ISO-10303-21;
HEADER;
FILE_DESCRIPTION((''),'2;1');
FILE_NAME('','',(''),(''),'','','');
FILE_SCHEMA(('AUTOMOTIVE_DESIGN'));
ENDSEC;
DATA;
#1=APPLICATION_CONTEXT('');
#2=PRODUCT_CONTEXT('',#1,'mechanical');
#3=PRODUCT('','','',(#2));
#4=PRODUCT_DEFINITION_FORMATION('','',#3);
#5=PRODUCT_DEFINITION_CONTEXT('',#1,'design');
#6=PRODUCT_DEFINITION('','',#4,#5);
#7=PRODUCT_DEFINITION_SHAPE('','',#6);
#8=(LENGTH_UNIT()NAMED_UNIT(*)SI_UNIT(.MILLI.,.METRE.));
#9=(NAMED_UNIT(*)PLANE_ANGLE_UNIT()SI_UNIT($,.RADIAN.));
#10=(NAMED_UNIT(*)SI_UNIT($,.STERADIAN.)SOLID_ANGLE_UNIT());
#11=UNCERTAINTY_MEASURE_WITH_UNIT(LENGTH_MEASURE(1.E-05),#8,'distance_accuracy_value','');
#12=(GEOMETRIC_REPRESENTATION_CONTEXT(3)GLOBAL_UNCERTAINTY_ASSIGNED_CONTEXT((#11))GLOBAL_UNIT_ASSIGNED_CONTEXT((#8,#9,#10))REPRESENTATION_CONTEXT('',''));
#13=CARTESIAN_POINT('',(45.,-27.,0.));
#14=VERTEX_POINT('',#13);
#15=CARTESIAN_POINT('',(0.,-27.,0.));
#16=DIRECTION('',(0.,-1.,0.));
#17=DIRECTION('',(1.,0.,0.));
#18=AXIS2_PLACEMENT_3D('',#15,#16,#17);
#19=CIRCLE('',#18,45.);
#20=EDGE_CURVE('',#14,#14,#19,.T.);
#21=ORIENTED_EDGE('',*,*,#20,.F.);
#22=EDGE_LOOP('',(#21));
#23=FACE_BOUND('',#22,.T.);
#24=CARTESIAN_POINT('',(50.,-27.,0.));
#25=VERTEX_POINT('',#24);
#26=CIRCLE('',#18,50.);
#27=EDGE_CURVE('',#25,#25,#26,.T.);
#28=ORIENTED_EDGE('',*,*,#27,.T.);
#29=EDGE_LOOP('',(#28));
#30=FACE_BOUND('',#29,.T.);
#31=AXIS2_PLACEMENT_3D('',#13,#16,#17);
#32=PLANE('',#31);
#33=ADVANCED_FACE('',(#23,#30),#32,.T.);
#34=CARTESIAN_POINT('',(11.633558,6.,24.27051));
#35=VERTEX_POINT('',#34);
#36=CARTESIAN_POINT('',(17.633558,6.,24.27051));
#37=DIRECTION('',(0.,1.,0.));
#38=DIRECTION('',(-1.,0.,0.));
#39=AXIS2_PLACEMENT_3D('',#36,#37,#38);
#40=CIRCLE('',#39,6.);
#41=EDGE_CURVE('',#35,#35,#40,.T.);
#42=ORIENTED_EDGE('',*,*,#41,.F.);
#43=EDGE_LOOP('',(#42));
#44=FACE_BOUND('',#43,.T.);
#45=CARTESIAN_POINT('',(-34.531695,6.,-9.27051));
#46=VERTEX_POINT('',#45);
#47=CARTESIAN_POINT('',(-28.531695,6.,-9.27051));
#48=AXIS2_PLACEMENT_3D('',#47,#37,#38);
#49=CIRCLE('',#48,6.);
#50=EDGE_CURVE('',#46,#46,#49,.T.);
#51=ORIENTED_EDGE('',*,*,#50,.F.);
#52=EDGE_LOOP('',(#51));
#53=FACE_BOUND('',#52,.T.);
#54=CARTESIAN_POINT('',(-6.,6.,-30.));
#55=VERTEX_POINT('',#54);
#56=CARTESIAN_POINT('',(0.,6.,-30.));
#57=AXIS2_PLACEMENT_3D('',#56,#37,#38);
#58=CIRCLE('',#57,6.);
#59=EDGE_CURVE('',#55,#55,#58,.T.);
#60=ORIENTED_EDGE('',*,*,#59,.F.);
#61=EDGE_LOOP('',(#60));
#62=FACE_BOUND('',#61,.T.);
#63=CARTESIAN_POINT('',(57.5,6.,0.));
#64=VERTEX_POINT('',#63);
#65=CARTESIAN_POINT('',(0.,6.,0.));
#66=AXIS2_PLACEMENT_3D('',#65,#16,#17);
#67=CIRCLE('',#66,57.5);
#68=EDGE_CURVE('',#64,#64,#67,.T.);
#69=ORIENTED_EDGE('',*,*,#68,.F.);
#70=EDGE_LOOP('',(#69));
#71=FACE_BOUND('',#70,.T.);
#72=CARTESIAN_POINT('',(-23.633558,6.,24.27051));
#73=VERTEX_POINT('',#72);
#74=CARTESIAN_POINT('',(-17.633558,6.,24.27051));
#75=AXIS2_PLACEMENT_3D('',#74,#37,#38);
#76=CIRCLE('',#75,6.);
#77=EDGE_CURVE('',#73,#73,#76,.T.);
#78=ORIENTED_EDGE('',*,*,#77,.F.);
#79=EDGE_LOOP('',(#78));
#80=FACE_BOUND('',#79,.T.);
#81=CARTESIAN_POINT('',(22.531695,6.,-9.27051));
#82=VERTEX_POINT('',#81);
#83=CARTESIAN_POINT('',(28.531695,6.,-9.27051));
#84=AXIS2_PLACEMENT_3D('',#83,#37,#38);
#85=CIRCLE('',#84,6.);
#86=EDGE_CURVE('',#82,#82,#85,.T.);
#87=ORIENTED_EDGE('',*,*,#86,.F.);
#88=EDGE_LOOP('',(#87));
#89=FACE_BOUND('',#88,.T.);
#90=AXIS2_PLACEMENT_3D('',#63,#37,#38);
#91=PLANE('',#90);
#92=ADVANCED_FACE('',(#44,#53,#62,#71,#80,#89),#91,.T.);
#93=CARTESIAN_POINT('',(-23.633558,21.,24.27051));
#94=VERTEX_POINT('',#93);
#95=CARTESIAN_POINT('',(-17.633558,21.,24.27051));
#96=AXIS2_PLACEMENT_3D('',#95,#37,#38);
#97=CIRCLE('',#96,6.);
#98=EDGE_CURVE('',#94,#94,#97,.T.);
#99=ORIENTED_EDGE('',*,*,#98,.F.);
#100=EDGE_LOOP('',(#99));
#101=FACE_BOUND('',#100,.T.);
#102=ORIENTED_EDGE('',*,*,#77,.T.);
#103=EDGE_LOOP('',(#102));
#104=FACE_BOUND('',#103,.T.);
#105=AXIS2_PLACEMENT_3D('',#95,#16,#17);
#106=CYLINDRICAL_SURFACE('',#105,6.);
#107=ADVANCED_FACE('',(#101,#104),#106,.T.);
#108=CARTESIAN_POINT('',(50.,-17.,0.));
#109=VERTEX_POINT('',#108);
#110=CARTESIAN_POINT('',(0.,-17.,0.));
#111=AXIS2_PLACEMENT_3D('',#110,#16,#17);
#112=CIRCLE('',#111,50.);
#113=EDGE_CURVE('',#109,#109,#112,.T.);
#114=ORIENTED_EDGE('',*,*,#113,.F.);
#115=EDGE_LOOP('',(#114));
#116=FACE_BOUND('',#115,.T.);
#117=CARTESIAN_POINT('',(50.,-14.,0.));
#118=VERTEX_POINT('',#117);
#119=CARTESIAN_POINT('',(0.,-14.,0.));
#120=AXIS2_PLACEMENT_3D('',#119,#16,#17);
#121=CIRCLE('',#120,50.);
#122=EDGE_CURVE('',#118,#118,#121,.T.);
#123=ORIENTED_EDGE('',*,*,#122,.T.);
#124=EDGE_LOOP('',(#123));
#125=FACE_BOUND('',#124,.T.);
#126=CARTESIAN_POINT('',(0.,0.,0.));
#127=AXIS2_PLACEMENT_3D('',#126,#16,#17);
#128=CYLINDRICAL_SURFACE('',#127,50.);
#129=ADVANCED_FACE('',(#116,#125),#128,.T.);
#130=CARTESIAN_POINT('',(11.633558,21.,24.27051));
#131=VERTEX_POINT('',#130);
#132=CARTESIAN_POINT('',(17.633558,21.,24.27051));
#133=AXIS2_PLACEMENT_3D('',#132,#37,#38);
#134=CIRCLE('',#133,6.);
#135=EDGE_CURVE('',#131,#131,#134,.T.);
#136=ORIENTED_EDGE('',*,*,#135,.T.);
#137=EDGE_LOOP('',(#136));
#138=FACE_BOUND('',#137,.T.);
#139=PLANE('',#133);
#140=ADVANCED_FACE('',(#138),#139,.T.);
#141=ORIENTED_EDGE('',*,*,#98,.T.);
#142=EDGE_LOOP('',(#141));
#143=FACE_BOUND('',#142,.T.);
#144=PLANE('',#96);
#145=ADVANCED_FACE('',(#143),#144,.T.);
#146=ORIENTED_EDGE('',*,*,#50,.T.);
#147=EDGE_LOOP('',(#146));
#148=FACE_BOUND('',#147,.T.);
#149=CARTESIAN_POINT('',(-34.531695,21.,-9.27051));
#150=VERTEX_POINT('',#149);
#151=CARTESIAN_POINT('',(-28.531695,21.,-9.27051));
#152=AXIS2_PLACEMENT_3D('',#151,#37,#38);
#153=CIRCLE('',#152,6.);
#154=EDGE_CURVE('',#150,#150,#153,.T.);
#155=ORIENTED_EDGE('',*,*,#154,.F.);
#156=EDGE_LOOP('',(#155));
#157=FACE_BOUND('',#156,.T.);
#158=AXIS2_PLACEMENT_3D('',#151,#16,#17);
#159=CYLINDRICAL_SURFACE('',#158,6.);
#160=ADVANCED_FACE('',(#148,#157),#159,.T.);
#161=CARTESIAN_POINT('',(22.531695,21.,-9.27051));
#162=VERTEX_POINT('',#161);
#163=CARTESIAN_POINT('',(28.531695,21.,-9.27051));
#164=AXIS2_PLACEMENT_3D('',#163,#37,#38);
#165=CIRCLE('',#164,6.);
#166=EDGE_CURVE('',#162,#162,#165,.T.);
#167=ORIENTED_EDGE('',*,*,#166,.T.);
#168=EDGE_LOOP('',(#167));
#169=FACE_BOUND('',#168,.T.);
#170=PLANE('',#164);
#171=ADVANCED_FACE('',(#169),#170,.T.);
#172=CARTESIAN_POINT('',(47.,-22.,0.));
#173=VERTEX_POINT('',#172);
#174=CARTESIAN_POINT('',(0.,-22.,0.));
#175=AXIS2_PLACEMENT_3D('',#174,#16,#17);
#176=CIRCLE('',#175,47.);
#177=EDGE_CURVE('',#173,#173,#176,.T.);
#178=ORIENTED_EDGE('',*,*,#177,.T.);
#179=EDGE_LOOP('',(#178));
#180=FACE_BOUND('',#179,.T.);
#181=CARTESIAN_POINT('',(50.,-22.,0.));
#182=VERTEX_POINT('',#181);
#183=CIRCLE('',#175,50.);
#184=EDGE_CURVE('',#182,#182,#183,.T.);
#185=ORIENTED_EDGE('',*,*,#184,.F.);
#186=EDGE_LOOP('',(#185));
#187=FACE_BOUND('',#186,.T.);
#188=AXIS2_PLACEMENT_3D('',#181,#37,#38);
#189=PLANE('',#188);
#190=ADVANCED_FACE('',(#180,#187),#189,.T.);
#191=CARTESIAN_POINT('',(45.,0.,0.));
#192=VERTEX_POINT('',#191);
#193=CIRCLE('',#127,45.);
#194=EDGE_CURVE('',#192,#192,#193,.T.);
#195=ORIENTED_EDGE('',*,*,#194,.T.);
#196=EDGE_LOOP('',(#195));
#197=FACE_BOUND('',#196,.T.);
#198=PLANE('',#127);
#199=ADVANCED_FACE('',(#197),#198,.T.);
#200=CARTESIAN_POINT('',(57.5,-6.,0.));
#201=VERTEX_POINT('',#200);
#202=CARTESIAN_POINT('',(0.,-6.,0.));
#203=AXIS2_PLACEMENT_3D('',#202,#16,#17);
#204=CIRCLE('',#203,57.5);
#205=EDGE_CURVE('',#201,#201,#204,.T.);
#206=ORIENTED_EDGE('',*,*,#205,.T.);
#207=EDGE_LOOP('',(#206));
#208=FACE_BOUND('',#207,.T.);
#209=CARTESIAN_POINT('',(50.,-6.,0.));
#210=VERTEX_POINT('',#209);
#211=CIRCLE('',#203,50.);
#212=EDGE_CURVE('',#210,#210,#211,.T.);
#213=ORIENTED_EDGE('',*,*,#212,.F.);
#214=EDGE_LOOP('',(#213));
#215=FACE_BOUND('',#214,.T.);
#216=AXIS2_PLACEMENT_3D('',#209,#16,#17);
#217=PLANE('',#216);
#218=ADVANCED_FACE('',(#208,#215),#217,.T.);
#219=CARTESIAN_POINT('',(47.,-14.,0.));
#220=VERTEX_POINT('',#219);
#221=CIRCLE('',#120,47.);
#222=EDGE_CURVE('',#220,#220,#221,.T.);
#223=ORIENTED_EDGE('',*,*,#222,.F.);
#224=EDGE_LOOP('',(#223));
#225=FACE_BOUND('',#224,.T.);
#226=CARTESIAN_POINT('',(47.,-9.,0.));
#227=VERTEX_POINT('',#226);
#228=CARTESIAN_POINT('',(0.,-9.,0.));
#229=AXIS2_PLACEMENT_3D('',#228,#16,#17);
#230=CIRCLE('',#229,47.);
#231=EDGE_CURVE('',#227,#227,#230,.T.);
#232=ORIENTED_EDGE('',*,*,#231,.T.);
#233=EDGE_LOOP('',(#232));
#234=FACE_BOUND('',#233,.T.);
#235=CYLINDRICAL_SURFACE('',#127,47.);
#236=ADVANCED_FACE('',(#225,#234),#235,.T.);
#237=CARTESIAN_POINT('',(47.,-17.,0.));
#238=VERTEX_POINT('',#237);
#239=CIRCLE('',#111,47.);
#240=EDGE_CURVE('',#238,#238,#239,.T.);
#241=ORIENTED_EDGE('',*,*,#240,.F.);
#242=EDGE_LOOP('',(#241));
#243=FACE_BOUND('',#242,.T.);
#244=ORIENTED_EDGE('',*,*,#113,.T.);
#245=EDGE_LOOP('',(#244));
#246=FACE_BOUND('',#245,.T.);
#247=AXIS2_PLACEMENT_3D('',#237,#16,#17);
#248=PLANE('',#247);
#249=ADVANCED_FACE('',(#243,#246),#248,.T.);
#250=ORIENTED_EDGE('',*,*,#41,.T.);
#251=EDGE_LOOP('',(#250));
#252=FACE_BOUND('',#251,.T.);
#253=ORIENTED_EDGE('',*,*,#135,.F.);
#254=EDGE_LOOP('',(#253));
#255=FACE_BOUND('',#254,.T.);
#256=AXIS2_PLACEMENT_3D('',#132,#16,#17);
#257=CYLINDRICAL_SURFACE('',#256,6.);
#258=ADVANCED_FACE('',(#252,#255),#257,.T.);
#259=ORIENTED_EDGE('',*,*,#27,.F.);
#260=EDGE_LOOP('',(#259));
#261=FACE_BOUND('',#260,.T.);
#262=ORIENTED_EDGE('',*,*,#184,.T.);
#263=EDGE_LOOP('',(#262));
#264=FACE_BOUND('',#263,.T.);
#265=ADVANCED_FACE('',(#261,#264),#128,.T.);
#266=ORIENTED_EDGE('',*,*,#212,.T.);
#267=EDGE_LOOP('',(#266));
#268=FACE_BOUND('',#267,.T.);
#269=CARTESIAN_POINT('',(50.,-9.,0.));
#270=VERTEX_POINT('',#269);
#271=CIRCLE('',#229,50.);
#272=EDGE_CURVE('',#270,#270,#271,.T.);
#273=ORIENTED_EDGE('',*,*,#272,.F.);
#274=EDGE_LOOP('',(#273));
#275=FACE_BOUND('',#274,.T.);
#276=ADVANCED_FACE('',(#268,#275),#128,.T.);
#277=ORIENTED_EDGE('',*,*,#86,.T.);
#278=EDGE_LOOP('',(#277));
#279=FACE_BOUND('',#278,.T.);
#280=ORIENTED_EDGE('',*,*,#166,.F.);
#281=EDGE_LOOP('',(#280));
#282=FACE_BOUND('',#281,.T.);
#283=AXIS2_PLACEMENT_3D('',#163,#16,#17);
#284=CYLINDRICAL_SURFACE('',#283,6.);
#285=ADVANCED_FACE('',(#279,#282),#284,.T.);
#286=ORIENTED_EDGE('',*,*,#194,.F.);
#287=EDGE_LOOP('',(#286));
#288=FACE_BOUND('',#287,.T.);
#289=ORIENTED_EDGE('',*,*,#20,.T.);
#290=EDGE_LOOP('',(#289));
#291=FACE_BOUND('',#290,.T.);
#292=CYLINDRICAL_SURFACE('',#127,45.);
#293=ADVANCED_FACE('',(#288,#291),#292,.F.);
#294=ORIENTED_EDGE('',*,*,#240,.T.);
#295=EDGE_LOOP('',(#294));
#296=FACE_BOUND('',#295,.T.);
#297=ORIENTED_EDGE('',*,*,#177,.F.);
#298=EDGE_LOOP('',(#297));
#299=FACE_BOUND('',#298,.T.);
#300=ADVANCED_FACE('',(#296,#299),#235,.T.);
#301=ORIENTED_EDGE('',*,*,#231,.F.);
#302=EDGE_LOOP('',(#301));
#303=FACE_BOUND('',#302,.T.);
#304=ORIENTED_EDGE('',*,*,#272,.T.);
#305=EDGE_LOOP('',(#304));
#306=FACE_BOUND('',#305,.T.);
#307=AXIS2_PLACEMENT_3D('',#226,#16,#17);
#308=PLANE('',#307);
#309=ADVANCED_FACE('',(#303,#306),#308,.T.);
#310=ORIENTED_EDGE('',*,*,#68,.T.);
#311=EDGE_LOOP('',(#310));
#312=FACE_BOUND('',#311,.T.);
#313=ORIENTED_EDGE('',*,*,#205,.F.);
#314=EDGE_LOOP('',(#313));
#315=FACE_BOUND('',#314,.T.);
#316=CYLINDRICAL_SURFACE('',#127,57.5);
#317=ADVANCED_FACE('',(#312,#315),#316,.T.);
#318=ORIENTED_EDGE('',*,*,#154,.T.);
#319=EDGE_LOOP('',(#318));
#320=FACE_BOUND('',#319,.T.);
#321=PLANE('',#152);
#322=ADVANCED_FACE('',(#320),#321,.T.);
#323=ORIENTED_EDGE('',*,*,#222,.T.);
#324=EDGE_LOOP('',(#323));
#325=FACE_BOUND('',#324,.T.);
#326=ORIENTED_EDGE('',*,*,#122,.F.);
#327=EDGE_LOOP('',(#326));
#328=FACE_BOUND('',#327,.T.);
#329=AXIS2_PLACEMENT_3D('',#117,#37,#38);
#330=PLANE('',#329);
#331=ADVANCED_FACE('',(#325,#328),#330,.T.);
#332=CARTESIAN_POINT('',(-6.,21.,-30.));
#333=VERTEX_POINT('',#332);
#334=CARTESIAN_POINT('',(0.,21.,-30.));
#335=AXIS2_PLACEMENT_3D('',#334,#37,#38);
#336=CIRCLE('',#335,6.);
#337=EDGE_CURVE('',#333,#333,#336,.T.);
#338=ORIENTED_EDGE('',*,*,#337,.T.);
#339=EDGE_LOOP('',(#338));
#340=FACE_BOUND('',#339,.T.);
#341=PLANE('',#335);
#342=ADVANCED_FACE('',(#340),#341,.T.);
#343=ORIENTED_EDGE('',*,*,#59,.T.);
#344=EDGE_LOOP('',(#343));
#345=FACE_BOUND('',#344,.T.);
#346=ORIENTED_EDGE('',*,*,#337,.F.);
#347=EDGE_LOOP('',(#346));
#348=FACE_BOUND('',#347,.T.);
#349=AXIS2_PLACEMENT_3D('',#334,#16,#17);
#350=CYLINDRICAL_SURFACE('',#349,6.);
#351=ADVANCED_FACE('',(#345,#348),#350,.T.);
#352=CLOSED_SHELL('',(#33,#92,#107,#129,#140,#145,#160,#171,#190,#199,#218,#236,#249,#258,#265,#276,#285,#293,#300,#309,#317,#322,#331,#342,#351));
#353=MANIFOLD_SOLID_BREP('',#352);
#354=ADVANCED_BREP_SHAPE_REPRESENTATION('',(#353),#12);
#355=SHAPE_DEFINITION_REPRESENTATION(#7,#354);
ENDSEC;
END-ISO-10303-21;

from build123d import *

# Parameters (mm, degrees)
ESQUISSE2_R        = 6
BOSS_EXTRU_1_DEPTH = 15


with BuildPart() as part:
    # Esquisse1 → Révolution1 (revolve)
    with BuildSketch(Plane.XY):
        Polygon((0, 0), (45, 0), (45, -27), (50, -27), (50, -22), (47, -22), (47, -17), (50, -17), (50, -14), (47, -14), (47, -9), (50, -9), (50, -6), (57.5, -6), (57.5, 6), (0, 6), align=None)
    revolve(axis=Axis((0, 0, 0), (0, 1, 0)))

    # Esquisse2 → Boss.-Extru.1 (add)
    with BuildSketch(Plane(origin=(0, 6, 0), x_dir=(1, 0, 0), z_dir=(0, 1, 0))):
        with Locations(Location((0, 30, 0), (0, 0, 180))):
            Circle(ESQUISSE2_R)
        with Locations(Location((28.531695489, 9.270509831, 0), (0, 0, 180))):
            Circle(ESQUISSE2_R)
        with Locations(Location((17.633557569, -24.270509831, 0), (0, 0, 180))):
            Circle(ESQUISSE2_R)
        with Locations(Location((-17.633557569, -24.270509831, 0), (0, 0, 180))):
            Circle(ESQUISSE2_R)
        with Locations(Location((-28.531695489, 9.270509831, 0), (0, 0, 180))):
            Circle(ESQUISSE2_R)
    extrude(amount=BOSS_EXTRU_1_DEPTH)


solid = part.part
